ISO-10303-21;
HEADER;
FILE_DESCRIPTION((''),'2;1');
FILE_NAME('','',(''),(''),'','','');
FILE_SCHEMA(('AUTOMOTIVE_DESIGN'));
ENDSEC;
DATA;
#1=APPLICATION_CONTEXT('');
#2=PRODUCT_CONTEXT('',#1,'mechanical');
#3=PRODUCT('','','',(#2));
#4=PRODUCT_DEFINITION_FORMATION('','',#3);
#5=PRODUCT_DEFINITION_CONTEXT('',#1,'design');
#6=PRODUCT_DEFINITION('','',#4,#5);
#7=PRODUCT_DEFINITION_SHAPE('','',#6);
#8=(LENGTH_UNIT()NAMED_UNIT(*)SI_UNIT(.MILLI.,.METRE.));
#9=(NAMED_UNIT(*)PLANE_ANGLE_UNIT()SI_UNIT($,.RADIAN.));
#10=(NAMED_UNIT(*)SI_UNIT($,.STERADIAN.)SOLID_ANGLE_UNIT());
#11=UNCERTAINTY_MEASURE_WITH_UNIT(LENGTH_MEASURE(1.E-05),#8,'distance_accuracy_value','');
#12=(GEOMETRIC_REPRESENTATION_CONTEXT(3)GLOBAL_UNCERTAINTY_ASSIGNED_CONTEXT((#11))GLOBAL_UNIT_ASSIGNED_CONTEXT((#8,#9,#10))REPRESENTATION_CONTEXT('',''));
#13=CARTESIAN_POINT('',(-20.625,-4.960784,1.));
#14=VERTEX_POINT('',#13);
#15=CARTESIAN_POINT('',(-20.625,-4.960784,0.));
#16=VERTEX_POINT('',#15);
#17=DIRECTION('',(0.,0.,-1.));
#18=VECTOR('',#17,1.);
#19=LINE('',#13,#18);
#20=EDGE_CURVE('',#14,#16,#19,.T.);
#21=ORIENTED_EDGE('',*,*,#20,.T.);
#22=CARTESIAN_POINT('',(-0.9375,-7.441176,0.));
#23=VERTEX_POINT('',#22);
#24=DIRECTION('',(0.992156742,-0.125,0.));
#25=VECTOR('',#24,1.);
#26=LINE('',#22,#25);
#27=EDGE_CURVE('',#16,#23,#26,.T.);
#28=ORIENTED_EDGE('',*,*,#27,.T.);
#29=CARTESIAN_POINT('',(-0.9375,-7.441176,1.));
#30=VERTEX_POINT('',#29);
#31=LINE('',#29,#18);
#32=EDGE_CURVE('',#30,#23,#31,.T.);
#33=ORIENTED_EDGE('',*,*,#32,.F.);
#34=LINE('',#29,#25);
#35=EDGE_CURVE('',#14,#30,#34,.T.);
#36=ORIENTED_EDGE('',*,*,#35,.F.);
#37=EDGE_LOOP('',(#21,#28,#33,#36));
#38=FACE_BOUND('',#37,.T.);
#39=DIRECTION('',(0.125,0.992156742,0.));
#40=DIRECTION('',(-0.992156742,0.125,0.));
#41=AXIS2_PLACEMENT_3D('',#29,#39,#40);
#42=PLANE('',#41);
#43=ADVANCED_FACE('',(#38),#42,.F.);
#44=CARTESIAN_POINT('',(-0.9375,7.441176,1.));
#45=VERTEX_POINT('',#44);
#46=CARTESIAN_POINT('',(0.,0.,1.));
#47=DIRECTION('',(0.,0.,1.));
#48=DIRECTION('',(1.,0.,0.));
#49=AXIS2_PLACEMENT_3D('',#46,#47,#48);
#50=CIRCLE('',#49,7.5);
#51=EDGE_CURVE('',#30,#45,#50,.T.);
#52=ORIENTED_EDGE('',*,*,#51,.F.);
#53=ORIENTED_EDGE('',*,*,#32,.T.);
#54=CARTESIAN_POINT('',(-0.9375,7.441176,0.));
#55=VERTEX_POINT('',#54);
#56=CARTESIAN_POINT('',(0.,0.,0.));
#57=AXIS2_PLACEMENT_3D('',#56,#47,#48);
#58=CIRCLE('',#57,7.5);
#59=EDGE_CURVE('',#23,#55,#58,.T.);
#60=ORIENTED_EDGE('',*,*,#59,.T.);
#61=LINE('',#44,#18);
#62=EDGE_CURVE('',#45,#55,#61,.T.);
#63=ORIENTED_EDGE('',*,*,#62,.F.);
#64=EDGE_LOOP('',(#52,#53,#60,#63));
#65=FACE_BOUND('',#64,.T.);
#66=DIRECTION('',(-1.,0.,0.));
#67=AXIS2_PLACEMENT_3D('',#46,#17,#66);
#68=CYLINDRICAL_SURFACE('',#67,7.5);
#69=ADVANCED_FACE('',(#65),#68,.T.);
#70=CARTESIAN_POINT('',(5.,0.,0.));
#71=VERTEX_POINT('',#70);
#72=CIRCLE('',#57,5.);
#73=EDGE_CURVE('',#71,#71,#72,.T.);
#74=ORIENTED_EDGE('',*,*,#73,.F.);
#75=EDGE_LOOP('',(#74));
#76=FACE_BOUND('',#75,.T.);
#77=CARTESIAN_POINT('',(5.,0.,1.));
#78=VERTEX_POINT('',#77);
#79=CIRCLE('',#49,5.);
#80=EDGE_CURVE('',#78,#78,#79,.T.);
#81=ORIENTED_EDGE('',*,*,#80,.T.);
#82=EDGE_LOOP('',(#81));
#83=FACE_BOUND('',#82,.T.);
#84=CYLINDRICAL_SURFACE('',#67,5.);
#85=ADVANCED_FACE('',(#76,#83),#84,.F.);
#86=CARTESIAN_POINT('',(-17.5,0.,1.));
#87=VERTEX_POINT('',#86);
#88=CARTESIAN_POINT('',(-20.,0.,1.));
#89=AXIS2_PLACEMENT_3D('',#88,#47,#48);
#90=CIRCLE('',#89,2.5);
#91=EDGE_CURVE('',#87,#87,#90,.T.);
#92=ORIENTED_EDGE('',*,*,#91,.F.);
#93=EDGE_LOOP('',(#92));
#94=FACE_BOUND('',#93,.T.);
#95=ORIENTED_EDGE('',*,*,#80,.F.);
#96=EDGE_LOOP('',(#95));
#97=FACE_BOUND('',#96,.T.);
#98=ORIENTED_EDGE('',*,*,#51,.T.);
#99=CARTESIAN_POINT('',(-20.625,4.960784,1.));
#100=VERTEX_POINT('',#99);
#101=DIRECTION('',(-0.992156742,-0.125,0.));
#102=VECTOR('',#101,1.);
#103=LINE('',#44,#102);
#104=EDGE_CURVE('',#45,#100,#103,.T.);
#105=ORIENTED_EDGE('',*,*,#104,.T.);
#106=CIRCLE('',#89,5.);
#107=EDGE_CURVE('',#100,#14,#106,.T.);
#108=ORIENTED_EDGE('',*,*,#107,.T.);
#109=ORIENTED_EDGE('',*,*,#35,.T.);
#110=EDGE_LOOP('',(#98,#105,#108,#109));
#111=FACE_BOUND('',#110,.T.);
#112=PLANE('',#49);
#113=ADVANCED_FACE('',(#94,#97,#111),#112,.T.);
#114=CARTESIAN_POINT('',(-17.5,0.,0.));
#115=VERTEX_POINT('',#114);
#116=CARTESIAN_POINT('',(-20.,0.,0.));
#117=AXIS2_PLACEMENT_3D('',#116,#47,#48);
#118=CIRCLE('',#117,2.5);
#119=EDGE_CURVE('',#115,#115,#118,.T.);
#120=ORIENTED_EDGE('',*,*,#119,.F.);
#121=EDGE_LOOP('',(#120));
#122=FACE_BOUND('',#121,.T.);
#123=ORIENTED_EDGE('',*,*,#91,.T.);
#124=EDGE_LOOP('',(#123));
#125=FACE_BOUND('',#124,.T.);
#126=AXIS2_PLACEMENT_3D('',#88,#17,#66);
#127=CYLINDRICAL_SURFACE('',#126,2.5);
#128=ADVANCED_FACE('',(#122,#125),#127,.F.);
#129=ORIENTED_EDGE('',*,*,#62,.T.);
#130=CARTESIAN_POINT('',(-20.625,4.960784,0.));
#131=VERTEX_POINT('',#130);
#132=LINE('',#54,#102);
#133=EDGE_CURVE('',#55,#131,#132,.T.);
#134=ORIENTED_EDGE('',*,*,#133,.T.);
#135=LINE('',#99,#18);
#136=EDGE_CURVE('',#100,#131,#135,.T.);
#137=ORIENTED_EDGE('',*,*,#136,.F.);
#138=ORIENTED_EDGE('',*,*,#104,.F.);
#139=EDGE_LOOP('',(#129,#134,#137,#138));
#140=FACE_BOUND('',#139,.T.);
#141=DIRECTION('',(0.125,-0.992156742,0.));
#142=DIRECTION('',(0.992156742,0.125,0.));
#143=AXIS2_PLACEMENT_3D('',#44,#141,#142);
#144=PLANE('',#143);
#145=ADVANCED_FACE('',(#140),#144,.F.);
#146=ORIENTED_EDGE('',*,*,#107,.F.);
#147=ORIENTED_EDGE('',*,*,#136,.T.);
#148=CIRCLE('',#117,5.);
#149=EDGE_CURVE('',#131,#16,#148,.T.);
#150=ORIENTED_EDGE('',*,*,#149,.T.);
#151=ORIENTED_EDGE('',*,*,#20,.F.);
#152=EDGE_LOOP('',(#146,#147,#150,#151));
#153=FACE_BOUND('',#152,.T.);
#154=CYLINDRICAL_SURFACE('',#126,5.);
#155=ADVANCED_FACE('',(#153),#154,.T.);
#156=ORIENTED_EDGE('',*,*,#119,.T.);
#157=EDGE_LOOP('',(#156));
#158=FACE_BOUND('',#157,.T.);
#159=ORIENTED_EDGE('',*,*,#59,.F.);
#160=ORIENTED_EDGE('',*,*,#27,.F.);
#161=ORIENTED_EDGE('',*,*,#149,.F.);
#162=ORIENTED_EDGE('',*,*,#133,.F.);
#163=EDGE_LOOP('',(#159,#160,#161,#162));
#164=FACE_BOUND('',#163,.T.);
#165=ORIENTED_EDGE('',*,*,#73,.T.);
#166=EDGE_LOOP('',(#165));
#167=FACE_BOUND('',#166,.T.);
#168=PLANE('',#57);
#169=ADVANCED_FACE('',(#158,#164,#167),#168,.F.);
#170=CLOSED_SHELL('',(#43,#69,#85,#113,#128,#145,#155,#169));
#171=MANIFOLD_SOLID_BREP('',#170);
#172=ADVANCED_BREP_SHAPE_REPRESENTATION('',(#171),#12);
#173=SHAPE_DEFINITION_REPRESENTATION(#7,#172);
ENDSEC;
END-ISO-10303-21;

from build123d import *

# Parameters (mm, degrees)
SKETCH_1_R      = 5
SKETCH_1_R_2    = 2.5
EXTRUDE_1_DEPTH = 1


with BuildPart() as part:
    # Эскиз1 → Бобышка-Вытянуть1 (new body)
    with BuildSketch(Plane.XY):
        with BuildLine():
            Line((-0.9375, 7.441175562), (-20.625, 4.960783708))
            ThreePointArc((-20.625, 4.960783708), (-25, 0), (-20.625, -4.960783708))
            Line((-20.625, -4.960783708), (-0.9375, -7.441175562))
            ThreePointArc((-0.9375, -7.441175562), (7.5, 0), (-0.9375, 7.441175562))
        make_face()
        Circle(SKETCH_1_R, mode=Mode.SUBTRACT)
        with Locations((-20, 0)):
            Circle(SKETCH_1_R_2, mode=Mode.SUBTRACT)
    extrude(amount=EXTRUDE_1_DEPTH)


solid = part.part
